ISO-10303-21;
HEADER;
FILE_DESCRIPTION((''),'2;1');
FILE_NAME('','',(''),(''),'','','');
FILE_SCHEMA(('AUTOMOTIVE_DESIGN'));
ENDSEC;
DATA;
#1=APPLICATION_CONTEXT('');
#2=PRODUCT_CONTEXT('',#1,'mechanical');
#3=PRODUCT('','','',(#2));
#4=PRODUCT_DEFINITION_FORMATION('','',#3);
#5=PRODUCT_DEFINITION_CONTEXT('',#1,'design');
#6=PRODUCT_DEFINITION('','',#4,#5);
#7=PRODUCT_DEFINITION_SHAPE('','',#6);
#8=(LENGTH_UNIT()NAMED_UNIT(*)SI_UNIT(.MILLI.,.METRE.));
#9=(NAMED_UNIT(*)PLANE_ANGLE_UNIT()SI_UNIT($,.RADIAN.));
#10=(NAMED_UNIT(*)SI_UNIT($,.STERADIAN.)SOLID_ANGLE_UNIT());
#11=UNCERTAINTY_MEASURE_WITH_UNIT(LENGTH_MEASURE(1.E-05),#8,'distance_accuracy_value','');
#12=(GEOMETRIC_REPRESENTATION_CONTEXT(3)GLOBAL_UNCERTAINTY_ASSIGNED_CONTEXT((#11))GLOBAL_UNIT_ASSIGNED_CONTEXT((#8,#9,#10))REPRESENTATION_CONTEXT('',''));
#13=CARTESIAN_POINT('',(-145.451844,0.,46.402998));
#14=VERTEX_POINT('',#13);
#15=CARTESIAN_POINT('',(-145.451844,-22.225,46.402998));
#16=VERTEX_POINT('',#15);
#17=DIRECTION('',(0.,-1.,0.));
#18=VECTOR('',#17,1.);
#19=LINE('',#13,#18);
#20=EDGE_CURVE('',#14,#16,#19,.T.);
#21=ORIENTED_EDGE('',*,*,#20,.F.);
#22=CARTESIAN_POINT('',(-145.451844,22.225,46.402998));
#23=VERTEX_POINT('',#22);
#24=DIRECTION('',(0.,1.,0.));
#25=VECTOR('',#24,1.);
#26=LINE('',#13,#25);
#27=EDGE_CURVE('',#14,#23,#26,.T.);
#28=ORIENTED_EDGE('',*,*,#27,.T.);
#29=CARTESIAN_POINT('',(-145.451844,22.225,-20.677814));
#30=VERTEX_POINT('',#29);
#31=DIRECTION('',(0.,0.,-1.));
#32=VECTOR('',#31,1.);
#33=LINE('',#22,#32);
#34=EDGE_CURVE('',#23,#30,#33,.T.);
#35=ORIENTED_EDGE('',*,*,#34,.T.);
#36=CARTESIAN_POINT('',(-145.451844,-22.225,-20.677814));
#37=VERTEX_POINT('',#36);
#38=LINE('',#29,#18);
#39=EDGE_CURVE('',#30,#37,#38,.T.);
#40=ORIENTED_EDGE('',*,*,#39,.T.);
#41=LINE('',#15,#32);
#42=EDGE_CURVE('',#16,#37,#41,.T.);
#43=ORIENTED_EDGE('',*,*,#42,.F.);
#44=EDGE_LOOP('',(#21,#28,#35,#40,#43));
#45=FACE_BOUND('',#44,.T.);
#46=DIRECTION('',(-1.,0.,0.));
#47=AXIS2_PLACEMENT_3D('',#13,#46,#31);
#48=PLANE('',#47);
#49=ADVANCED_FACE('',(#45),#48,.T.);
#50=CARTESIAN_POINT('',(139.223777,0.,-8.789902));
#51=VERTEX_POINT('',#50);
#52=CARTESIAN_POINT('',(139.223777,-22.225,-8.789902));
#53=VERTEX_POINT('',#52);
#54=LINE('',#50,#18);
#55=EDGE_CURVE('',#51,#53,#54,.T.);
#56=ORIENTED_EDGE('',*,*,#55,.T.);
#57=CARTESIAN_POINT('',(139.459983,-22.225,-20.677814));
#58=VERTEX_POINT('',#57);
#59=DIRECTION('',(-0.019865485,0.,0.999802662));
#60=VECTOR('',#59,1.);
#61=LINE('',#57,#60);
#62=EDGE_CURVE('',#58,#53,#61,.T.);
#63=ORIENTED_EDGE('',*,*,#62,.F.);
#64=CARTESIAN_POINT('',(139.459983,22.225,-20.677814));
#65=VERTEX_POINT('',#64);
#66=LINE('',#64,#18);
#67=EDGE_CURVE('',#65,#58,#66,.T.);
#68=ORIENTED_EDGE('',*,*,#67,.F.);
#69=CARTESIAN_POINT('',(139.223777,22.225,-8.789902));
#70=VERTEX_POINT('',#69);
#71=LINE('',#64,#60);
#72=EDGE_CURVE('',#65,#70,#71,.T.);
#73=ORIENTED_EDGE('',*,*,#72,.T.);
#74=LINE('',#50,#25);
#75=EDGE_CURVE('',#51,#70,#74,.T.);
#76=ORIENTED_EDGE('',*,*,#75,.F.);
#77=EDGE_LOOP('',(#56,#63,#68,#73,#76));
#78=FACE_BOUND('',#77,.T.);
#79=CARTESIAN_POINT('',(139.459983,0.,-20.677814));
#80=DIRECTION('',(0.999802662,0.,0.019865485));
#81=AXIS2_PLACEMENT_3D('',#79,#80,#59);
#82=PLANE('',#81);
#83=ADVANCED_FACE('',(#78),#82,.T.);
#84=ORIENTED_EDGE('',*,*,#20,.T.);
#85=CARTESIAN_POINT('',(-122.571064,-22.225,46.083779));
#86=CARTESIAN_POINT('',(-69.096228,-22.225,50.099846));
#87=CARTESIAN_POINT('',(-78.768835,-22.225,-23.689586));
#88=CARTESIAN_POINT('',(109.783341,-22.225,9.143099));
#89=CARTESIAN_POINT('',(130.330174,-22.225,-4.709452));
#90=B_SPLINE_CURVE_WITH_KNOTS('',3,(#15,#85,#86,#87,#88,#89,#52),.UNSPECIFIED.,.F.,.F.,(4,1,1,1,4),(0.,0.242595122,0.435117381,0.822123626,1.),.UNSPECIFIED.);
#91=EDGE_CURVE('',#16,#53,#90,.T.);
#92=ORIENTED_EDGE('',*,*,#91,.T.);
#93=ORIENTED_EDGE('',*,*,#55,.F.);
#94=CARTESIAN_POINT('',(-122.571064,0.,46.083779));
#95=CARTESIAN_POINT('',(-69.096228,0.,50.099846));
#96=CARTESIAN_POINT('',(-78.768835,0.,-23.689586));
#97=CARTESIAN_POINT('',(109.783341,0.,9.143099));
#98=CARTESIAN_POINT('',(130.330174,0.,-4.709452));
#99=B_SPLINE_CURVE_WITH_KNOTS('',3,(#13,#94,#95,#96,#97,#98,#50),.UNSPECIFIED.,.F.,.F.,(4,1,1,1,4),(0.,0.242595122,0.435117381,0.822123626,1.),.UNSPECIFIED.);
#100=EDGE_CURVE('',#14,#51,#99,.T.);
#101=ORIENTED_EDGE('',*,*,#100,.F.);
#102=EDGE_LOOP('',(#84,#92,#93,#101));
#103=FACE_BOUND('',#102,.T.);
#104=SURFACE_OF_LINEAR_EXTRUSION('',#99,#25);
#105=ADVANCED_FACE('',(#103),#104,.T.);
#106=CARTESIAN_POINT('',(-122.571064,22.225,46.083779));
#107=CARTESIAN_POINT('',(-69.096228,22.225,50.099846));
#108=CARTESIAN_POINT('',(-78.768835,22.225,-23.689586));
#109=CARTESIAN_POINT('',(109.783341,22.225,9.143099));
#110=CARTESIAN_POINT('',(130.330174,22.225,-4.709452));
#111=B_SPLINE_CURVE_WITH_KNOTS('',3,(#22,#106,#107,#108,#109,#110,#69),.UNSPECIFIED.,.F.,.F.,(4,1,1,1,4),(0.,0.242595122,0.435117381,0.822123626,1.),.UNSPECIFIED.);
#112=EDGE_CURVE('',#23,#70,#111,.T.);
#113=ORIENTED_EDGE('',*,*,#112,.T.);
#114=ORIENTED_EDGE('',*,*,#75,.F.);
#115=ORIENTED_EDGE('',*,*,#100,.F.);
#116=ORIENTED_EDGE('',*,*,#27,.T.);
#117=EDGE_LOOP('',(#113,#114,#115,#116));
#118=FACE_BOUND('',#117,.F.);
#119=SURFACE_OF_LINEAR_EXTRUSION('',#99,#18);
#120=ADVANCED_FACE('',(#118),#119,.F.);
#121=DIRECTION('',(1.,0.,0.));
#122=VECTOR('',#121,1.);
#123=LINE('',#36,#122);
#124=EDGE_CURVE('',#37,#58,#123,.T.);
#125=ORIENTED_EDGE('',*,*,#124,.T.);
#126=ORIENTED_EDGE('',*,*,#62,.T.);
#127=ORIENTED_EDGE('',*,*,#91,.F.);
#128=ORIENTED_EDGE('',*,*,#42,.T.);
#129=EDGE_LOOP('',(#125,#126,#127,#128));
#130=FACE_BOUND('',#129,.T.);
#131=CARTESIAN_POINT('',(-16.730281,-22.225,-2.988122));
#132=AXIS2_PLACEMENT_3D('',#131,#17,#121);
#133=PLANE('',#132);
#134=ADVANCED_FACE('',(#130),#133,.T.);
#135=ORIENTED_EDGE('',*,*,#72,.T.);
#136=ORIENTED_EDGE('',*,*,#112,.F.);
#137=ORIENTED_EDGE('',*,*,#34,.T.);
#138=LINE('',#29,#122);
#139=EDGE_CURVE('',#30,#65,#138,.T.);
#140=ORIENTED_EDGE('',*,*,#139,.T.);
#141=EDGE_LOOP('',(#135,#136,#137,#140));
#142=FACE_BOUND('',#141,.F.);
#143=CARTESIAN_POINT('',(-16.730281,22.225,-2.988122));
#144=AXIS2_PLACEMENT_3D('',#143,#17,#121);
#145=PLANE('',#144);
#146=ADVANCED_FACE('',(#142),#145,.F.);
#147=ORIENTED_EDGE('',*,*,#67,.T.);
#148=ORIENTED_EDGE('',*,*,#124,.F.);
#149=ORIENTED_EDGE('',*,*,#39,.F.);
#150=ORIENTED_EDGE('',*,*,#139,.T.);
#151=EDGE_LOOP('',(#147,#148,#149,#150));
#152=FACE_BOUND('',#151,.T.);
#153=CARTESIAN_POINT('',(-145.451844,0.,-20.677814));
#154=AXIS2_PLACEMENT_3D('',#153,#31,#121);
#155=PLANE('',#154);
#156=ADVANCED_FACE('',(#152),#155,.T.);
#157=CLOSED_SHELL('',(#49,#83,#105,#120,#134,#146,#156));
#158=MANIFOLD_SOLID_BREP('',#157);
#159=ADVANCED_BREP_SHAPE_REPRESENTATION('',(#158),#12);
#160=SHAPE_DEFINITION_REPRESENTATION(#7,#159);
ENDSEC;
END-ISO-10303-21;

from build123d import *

# Parameters (mm, degrees)
F1_DEPTH = 22.225


with BuildPart() as f1:
    # F0 (on Front) → F1 (new body, symmetric)
    with BuildSketch(Plane.XZ):
        with BuildLine():
            Line((-145.4518437386, 46.4029982686), (-145.4518437386, -20.6778142601))
            Line((-145.4518437386, -20.6778142601), (139.4599825144, -20.6778142601))
            Line((139.4599825144, -20.6778142601), (139.2237767577, -8.7899017381))
            add(Edge.make_bspline(
                [(-145.4518437386, 46.4029982686), (-122.5710635523, 46.0837787975), (-69.0962275433, 50.0998458463), (-78.7688353067, -23.689586332), (109.7833412431, 9.1430988218), (130.3301739029, -4.7094518595), (139.2237767577, -8.7899017381)],
                knots=[0, 0, 0, 0, 0.2425951215, 0.4351173814, 0.822123626, 1, 1, 1, 1], degree=3))
        make_face()
    extrude(amount=F1_DEPTH, both=True)


solid = f1.part
